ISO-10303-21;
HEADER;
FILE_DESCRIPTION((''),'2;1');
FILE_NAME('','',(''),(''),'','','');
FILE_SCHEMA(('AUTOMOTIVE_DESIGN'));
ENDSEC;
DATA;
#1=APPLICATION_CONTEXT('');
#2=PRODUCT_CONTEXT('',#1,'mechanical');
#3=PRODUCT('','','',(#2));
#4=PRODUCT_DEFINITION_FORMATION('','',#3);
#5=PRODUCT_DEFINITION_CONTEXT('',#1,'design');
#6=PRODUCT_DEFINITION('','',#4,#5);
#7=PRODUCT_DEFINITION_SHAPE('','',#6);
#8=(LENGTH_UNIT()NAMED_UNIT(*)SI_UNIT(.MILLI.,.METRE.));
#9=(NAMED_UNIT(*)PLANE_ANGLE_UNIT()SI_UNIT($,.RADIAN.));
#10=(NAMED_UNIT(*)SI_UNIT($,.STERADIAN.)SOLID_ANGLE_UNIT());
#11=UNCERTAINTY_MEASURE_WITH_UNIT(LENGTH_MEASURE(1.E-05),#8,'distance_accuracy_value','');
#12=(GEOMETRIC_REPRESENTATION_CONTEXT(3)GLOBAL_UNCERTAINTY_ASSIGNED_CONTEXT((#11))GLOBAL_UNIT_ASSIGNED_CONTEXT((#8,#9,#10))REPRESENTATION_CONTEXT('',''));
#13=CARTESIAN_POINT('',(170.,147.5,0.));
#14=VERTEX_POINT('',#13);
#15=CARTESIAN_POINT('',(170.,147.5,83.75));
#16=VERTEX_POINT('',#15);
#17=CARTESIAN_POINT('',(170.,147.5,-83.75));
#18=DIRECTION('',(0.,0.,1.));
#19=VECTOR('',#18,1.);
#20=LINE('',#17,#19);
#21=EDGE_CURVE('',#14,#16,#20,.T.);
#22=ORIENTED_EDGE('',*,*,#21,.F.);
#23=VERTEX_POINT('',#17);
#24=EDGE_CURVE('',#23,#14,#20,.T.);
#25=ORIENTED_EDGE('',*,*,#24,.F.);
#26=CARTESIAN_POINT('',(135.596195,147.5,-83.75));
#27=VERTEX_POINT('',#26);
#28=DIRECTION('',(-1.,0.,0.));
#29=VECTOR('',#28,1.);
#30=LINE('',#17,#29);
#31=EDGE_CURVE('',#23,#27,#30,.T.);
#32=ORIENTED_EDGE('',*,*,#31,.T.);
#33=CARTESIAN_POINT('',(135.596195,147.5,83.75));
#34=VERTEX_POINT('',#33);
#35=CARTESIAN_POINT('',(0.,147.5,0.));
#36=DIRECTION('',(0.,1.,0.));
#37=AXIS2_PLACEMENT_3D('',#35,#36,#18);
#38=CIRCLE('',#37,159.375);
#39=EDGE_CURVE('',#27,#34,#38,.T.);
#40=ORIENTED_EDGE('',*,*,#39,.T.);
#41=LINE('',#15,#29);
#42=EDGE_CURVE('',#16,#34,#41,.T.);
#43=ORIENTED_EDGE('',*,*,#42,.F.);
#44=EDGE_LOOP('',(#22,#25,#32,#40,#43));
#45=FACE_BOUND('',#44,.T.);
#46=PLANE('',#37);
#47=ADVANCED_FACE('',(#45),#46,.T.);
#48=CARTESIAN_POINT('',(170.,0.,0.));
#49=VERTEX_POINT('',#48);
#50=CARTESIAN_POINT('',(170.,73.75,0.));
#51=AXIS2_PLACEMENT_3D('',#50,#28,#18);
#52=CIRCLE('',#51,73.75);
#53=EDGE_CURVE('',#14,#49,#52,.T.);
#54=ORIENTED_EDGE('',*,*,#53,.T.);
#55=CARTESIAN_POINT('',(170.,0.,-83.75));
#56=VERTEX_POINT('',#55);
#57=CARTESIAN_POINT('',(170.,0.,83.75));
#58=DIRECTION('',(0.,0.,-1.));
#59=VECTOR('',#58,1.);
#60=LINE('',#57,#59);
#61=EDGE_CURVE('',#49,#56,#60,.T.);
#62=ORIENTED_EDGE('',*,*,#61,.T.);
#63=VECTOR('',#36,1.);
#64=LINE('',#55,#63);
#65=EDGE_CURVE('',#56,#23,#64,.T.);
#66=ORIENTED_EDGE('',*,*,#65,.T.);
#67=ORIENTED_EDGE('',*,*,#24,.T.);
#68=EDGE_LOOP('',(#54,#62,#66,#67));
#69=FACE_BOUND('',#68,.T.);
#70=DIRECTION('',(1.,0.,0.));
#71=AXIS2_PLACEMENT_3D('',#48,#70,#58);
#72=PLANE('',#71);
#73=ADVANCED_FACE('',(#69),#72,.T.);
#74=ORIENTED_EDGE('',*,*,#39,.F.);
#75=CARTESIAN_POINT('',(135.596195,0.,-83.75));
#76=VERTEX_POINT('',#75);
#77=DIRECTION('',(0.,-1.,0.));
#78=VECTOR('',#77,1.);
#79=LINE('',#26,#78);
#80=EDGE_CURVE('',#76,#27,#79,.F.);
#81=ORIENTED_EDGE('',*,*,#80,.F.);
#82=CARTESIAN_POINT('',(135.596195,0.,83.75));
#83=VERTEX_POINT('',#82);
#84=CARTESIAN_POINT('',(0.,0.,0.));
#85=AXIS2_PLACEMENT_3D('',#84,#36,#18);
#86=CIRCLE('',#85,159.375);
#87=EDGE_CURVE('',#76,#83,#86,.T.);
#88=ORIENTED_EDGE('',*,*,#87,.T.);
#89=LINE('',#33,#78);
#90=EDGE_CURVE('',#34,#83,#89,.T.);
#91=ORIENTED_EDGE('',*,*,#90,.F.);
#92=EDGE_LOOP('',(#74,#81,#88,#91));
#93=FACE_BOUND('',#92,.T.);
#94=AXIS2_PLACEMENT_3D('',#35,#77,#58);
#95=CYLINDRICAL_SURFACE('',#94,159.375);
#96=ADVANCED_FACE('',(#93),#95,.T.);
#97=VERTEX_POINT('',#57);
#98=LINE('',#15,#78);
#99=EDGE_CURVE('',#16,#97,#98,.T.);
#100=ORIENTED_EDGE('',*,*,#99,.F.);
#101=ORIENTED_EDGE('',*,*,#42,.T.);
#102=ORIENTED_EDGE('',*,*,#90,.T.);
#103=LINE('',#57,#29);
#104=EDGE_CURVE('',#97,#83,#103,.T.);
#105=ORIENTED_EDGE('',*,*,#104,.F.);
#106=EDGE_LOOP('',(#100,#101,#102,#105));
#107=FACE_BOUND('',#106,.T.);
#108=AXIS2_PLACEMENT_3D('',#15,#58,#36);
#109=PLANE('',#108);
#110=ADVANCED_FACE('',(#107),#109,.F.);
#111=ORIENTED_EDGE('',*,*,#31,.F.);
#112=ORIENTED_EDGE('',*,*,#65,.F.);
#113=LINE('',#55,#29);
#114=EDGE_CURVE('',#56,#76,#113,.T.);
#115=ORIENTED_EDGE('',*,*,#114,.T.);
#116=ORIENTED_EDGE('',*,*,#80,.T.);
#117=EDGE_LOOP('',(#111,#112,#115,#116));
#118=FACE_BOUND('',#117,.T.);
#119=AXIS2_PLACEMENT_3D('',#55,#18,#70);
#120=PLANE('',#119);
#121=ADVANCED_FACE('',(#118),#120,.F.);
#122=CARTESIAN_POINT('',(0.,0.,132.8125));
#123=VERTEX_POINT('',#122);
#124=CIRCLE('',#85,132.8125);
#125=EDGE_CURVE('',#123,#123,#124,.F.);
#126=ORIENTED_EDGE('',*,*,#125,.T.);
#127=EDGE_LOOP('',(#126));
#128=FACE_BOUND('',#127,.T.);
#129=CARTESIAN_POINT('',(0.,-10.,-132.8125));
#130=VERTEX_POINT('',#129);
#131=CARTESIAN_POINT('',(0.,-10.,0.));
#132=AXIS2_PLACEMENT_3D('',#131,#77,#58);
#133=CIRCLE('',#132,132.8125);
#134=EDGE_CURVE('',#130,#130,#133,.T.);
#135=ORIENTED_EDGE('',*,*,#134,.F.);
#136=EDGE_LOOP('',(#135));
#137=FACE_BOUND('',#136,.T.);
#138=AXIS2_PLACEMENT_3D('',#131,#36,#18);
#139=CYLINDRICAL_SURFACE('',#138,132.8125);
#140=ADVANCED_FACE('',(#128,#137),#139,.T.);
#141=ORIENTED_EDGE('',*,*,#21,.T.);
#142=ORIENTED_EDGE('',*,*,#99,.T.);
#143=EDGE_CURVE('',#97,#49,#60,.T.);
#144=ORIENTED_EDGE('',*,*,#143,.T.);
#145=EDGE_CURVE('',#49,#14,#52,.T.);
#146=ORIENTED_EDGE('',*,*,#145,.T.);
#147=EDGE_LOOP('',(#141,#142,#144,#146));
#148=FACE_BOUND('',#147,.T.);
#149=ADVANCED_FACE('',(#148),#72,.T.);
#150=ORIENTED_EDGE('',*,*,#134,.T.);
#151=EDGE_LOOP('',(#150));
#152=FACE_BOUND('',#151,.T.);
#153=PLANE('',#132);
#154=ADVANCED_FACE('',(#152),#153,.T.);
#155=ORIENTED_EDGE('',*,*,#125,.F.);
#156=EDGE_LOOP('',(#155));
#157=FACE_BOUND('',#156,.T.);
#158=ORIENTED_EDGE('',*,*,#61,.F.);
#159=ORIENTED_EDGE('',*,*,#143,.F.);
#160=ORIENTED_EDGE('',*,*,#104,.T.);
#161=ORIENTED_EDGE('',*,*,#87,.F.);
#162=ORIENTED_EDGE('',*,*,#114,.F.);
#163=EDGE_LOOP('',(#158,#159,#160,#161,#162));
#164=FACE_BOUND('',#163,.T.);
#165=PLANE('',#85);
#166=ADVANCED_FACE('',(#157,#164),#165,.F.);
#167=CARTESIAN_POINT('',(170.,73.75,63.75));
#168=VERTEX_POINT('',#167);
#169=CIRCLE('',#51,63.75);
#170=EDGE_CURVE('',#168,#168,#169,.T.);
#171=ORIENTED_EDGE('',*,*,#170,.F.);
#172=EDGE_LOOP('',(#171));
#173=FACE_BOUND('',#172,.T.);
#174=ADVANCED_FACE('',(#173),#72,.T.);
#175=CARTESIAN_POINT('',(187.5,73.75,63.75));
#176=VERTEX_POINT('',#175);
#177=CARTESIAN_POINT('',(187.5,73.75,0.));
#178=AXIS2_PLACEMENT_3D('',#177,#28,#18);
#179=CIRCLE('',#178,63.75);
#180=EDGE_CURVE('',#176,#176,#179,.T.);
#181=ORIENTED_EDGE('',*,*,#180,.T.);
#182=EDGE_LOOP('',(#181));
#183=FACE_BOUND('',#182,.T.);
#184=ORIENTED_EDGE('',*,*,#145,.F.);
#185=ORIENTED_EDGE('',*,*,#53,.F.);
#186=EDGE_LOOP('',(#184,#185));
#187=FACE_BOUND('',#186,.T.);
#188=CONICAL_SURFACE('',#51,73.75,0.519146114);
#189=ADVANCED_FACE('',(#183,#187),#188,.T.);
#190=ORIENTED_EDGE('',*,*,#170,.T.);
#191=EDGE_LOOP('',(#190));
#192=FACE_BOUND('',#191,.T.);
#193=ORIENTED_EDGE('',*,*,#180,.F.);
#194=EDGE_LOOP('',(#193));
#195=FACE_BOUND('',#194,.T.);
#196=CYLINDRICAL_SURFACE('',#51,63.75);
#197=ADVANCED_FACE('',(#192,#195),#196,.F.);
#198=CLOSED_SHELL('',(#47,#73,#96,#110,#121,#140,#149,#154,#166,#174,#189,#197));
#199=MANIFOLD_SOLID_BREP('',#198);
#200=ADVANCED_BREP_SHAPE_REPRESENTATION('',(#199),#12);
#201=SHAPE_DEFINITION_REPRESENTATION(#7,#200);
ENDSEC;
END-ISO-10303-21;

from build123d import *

# Parameters (mm, degrees)
SKETCH1_R           = 159.375
BOSS_EXTRUDE1_DEPTH = 147.5
SKETCH2_W           = 167.5
SKETCH2_H           = 147.5
BOSS_EXTRUDE2_DEPTH = 170
SKETCH5_R           = 132.8125
BOSS_EXTRUDE3_DEPTH = 10


with BuildPart() as part:
    # Sketch1 → Boss-Extrude1 (new body)
    with BuildSketch(Plane(origin=(0, 0, 0), x_dir=(1, 0, 0), z_dir=(0, 1, 0))):
        with Locations(Location((0, 0, 0), (0, 0, 270))):
            Circle(SKETCH1_R)
    extrude(amount=BOSS_EXTRUDE1_DEPTH)

    # Sketch2 → Boss-Extrude2 (add)
    with BuildSketch(Plane(origin=(0, 0, 0), x_dir=(0, 0, -1), z_dir=(1, 0, 0))):
        with Locations((0, 73.75)):
            Rectangle(SKETCH2_W, SKETCH2_H)
    extrude(amount=BOSS_EXTRUDE2_DEPTH)

    # Sketch4 → Revolve1 (revolve)
    with BuildSketch(Plane.XY, mode=Mode.PRIVATE) as revolve1_sk:
        Polygon((170, 0), (170, 10), (187.5, 10), align=None)
    revolve(revolve1_sk.sketch.rotate(Axis((170, 73.75, 0), (1, 0, 0)), 270), axis=Axis((170, 73.75, 0), (1, 0, 0)))

    # Sketch5 → Boss-Extrude3 (add)
    with BuildSketch(Plane(origin=(0, 0, 0), x_dir=(-1, 0, 0), z_dir=(0, -1, 0))):
        with Locations(Location((0, 0, 0), (0, 0, 270))):
            Circle(SKETCH5_R)
    extrude(amount=BOSS_EXTRUDE3_DEPTH)


solid = part.part
